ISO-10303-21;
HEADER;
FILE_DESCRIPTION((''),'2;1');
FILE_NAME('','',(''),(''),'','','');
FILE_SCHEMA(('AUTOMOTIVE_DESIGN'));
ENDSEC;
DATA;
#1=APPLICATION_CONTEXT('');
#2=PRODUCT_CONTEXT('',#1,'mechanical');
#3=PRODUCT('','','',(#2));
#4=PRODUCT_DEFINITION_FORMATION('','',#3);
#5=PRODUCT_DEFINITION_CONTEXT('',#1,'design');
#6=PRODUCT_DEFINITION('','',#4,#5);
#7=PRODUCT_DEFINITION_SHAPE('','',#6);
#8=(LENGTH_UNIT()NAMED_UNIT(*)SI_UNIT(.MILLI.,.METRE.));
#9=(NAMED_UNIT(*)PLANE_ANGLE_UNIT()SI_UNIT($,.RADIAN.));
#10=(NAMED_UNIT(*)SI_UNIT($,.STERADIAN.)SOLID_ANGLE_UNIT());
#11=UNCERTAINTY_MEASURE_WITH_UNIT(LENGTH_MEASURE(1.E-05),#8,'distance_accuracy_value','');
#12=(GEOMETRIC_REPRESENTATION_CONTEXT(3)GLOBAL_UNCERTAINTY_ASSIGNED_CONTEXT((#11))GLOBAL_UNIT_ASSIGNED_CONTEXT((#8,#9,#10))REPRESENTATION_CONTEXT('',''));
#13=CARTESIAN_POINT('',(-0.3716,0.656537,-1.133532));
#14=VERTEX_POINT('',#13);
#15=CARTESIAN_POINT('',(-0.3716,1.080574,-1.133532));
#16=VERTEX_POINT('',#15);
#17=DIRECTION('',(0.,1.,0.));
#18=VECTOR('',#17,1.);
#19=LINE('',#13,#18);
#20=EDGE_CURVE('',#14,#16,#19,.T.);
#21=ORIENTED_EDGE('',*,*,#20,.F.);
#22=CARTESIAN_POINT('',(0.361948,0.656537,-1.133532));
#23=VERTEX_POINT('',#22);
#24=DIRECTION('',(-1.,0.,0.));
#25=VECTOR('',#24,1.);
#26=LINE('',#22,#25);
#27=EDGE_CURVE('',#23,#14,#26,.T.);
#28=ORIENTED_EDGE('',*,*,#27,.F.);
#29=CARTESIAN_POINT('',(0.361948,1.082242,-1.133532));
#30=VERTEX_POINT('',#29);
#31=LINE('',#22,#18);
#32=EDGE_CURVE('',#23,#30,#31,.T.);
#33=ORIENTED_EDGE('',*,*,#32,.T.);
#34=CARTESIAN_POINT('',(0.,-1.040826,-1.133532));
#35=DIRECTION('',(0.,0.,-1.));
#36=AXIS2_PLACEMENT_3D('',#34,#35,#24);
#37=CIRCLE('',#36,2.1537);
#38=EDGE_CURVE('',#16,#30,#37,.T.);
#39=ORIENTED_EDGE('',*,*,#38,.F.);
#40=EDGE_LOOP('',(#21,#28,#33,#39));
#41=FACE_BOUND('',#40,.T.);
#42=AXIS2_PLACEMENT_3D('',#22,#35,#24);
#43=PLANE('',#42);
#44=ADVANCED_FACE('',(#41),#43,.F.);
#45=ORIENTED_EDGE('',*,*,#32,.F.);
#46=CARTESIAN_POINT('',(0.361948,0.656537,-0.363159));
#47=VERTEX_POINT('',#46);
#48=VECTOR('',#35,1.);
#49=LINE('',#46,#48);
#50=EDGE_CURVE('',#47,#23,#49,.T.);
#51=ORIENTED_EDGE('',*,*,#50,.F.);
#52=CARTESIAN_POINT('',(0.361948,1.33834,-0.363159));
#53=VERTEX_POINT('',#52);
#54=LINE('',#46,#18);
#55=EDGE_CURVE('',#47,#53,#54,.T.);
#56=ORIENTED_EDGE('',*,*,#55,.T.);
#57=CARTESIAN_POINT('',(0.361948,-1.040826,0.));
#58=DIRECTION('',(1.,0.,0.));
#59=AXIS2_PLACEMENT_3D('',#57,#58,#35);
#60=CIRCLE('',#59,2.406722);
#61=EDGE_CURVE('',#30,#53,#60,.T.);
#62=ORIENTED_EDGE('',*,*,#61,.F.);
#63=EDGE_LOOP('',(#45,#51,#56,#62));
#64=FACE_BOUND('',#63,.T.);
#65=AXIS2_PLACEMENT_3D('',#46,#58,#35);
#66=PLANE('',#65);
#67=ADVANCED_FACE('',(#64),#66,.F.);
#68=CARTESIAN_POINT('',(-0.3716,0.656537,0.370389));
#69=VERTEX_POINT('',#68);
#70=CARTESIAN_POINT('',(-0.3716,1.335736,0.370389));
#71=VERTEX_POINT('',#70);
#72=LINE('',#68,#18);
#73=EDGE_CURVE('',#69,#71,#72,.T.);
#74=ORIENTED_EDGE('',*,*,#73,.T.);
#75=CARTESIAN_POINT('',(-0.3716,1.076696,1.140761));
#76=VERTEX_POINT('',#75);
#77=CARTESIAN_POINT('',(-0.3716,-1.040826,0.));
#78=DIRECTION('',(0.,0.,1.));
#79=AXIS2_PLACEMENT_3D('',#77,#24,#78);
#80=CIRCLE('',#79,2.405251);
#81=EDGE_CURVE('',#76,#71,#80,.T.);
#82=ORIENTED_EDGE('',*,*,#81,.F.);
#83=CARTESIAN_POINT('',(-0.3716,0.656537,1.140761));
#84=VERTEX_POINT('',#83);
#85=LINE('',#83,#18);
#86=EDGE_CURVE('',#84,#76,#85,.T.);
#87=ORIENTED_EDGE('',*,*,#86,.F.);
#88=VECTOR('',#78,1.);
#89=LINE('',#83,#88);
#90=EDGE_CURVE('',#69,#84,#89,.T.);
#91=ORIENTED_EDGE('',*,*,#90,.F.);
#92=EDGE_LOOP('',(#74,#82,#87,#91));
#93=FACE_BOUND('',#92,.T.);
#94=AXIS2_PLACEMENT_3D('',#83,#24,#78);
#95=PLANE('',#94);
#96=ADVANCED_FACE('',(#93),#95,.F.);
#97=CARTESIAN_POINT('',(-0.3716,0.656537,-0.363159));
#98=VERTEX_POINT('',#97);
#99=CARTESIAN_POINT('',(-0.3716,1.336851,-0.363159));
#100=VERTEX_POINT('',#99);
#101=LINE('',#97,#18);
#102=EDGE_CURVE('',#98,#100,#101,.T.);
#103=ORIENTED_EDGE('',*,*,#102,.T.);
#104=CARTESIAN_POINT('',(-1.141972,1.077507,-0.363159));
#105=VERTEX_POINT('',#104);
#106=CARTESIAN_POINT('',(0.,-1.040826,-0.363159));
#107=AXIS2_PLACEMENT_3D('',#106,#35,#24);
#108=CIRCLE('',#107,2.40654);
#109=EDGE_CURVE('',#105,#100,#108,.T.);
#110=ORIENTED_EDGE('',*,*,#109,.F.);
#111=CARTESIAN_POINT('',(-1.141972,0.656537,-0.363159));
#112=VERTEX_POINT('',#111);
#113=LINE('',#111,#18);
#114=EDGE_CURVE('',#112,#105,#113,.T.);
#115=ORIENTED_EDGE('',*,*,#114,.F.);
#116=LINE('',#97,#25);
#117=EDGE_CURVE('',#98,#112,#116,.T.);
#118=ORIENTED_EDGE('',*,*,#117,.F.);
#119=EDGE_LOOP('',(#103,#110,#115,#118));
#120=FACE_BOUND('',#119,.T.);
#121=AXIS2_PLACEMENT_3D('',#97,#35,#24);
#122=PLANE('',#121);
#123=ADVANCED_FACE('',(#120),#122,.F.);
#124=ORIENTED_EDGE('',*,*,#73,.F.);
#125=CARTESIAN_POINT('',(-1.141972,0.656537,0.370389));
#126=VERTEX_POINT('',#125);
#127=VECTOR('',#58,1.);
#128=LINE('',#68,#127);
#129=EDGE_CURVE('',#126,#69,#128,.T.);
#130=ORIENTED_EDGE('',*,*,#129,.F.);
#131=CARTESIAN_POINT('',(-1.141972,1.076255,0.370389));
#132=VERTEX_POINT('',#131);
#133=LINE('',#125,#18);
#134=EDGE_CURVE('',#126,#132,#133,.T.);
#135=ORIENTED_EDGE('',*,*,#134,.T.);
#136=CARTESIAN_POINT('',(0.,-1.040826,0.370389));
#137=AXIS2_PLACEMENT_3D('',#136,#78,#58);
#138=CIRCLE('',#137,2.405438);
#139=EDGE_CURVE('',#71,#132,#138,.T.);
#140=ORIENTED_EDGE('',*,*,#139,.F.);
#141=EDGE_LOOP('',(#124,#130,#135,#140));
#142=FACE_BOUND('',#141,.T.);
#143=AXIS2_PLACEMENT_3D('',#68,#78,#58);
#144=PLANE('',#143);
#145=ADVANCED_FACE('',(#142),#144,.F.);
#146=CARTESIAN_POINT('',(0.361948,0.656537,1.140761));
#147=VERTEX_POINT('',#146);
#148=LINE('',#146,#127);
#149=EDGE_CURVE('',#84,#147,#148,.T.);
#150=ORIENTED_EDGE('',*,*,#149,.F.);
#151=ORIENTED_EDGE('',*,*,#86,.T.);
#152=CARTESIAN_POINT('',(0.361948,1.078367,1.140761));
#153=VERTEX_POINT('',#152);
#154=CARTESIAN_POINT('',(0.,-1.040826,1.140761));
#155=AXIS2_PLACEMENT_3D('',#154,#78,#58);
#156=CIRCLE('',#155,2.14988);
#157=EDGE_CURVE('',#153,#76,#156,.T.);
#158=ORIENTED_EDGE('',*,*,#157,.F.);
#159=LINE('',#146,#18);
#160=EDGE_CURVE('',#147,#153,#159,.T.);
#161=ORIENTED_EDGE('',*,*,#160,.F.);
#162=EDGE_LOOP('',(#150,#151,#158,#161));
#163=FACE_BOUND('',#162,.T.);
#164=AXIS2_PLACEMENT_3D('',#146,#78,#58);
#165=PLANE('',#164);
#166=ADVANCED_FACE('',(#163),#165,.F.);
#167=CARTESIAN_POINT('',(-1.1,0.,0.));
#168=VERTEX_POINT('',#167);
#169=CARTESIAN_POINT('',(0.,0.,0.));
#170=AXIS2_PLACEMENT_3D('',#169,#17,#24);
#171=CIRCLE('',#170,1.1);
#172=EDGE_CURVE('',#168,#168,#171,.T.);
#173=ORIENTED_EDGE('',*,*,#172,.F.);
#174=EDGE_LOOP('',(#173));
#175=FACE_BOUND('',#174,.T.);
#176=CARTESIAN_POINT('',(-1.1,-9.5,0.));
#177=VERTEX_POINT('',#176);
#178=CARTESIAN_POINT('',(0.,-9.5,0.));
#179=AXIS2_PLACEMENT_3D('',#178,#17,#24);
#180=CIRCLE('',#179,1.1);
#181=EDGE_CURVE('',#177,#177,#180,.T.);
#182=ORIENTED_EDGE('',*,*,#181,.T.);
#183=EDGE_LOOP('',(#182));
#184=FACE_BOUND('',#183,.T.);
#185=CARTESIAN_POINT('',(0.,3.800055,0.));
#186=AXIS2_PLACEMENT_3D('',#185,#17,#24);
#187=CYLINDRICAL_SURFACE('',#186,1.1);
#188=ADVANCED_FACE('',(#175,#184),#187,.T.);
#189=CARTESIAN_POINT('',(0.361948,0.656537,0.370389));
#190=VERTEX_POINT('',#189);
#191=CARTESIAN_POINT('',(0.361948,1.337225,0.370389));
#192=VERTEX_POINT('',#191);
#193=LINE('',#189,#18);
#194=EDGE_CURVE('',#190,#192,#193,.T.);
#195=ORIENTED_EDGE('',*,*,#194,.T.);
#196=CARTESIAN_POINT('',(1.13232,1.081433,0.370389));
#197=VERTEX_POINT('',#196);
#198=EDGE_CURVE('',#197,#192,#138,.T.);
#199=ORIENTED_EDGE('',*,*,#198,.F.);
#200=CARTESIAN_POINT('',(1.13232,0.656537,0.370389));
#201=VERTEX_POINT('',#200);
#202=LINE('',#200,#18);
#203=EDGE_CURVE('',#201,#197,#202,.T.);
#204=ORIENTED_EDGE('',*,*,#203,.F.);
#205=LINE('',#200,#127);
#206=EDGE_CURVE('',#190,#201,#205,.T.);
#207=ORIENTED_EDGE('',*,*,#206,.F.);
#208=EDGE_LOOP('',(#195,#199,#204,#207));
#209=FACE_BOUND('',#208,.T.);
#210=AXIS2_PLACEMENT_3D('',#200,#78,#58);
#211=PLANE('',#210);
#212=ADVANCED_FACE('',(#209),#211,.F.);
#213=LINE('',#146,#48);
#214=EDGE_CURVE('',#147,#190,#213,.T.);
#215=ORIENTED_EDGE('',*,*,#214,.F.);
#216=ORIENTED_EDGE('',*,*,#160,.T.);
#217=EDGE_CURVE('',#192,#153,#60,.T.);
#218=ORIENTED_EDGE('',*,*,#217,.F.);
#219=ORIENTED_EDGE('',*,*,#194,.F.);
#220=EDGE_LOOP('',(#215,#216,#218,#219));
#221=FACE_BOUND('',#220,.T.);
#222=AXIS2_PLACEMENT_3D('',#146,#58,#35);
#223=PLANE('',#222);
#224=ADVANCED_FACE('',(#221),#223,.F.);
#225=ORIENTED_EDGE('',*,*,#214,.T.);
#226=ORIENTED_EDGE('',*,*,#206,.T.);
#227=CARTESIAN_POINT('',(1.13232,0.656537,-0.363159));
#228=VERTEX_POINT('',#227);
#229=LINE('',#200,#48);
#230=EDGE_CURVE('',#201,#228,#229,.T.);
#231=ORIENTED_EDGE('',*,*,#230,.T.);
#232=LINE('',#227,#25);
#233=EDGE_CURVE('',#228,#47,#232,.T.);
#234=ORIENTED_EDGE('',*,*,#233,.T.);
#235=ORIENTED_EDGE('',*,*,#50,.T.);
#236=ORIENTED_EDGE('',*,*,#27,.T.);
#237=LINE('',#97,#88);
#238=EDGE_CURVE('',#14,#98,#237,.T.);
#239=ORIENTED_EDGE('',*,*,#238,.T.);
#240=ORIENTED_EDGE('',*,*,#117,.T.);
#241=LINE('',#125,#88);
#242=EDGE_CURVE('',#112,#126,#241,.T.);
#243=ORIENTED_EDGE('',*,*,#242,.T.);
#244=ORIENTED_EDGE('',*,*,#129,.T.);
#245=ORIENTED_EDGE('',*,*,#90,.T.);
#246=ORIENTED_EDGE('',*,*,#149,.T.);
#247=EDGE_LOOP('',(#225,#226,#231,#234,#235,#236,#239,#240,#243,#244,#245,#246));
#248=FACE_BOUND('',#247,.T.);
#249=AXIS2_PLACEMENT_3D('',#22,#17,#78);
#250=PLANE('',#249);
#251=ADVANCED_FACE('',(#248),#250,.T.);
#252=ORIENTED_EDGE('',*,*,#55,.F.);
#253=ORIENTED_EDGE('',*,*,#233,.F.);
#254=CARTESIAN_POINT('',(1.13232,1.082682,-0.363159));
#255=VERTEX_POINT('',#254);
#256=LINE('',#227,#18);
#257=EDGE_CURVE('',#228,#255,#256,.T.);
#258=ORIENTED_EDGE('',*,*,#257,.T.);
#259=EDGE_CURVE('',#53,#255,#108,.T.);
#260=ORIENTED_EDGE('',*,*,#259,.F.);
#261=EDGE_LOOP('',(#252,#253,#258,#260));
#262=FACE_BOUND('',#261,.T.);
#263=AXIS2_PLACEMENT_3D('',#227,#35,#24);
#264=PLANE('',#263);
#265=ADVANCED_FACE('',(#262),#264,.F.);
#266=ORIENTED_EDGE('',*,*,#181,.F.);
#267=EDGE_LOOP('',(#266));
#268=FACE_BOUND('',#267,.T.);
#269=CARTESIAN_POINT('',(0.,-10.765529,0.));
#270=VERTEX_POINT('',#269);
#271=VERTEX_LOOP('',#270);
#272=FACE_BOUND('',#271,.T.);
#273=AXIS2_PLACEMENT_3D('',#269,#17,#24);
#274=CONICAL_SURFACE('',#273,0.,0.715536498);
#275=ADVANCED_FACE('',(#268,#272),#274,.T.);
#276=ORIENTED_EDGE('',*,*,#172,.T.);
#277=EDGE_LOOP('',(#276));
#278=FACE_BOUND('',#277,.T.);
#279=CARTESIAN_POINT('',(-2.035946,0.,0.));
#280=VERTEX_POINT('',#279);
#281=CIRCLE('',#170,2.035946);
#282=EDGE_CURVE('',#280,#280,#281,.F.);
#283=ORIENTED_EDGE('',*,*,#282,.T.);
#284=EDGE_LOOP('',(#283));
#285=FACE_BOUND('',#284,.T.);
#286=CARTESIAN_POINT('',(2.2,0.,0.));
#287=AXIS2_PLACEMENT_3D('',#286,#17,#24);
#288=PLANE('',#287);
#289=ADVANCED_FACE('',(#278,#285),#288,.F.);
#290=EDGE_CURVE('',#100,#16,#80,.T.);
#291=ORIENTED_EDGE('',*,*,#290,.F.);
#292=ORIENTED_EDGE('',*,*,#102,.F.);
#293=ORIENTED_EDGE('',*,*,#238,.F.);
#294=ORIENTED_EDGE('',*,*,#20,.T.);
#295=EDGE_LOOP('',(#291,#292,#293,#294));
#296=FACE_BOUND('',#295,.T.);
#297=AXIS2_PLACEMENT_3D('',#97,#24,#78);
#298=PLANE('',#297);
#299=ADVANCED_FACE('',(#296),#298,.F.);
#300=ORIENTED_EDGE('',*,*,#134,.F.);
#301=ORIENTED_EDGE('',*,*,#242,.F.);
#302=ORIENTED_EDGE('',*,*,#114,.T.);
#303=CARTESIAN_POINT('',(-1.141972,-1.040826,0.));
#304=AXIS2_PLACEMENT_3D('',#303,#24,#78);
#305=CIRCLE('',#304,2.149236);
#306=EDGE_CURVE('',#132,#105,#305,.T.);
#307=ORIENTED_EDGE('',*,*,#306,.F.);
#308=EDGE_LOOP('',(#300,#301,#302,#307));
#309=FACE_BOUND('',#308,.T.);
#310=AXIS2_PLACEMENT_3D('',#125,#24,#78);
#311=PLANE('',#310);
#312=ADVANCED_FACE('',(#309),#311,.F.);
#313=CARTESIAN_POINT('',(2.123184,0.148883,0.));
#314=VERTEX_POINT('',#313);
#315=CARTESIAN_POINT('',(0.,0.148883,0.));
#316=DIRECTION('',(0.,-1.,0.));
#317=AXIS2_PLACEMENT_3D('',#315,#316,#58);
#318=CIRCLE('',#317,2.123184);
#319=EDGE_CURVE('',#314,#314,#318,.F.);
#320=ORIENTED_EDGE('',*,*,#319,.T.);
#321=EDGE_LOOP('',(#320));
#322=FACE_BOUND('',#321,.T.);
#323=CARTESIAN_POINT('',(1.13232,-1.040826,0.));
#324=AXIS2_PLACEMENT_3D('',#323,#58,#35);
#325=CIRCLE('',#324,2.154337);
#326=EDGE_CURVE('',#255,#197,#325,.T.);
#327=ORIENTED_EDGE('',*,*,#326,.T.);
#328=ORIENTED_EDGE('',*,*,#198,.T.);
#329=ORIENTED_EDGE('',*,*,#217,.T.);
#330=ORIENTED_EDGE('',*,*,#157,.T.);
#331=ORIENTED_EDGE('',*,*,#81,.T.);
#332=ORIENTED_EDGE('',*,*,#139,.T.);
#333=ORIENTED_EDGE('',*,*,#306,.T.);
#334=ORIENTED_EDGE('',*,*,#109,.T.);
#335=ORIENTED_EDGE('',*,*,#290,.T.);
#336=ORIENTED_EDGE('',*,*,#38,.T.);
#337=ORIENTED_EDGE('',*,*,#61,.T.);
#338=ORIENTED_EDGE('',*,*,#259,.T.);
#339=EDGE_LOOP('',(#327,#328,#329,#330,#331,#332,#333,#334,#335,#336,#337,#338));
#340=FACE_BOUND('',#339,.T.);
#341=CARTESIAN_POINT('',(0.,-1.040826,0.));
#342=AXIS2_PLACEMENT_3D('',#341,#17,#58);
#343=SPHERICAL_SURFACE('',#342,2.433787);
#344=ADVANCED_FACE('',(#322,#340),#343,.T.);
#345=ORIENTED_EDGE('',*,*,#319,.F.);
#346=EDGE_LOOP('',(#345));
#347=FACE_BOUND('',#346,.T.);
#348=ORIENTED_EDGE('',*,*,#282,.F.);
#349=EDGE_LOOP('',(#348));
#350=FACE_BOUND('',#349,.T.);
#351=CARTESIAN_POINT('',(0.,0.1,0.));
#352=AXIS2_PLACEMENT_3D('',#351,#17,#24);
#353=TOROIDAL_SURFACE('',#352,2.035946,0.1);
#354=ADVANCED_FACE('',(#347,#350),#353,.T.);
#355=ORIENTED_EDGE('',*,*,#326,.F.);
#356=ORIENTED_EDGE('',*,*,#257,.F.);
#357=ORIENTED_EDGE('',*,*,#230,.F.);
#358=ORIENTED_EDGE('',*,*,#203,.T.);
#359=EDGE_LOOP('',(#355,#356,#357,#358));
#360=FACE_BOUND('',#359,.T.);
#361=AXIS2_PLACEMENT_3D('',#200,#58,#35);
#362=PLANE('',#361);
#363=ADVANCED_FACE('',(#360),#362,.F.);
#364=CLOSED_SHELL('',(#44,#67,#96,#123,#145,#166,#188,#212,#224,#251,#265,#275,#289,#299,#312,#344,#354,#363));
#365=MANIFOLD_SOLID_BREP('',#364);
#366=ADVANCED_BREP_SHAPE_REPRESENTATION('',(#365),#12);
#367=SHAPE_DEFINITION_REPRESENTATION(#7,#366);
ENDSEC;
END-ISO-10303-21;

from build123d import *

# Parameters (mm, degrees)
CONG_1_R                = 0.1
ENL_V_MAT_EXTRU_1_DEPTH = 0.5


with BuildPart() as part:
    # Esquisse1 → Révolution1 (revolve)
    with BuildSketch(Plane.XY, mode=Mode.PRIVATE) as r_volution1_sk:
        with BuildLine():
            Line((2.2, 0), (1.1, 0))
            Line((1.1, 0), (1.1, -9.5))
            Line((1.1, -9.5), (0, -10.765529192))
            Line((0, -10.765529192), (0, 1.392961166))
            ThreePointArc((0, 1.392961166), (1.301954378, 1.015441113), (2.2, 0))
        make_face()
    revolve(r_volution1_sk.sketch.rotate(Axis((0, 3.800054794, 0), (0, -1, 0)), 180), axis=Axis((0, 3.800054794, 0), (0, -1, 0)))

    # Congé1
    cong_1_edges = [part.edges().sort_by_distance(p)[0] for p in [
        (2.2, 0, 0),
    ]]
    fillet(cong_1_edges, radius=CONG_1_R)

    # Esquisse2 → Enlèv. mat.-Extru.1 (cut, symmetric)
    with BuildSketch(Plane(origin=(0, 1.15653742, 0), x_dir=(-1, 0, 0), z_dir=(0, 1, 0))):
        Polygon((-0.361948003, 1.140760916), (0.37159995, 1.140760916), (0.37159995, 0.37038863), (1.141972235, 0.37038863), (1.141972235, -0.363159322), (0.37159995, -0.363159322), (0.37159995, -1.133531608), (-0.361948003, -1.133531608), (-0.361948003, -0.363159322), (-1.132320288, -0.363159322), (-1.132320288, 0.37038863), (-0.361948003, 0.37038863), align=None)
    extrude(amount=ENL_V_MAT_EXTRU_1_DEPTH, both=True, mode=Mode.SUBTRACT)


solid = part.part
